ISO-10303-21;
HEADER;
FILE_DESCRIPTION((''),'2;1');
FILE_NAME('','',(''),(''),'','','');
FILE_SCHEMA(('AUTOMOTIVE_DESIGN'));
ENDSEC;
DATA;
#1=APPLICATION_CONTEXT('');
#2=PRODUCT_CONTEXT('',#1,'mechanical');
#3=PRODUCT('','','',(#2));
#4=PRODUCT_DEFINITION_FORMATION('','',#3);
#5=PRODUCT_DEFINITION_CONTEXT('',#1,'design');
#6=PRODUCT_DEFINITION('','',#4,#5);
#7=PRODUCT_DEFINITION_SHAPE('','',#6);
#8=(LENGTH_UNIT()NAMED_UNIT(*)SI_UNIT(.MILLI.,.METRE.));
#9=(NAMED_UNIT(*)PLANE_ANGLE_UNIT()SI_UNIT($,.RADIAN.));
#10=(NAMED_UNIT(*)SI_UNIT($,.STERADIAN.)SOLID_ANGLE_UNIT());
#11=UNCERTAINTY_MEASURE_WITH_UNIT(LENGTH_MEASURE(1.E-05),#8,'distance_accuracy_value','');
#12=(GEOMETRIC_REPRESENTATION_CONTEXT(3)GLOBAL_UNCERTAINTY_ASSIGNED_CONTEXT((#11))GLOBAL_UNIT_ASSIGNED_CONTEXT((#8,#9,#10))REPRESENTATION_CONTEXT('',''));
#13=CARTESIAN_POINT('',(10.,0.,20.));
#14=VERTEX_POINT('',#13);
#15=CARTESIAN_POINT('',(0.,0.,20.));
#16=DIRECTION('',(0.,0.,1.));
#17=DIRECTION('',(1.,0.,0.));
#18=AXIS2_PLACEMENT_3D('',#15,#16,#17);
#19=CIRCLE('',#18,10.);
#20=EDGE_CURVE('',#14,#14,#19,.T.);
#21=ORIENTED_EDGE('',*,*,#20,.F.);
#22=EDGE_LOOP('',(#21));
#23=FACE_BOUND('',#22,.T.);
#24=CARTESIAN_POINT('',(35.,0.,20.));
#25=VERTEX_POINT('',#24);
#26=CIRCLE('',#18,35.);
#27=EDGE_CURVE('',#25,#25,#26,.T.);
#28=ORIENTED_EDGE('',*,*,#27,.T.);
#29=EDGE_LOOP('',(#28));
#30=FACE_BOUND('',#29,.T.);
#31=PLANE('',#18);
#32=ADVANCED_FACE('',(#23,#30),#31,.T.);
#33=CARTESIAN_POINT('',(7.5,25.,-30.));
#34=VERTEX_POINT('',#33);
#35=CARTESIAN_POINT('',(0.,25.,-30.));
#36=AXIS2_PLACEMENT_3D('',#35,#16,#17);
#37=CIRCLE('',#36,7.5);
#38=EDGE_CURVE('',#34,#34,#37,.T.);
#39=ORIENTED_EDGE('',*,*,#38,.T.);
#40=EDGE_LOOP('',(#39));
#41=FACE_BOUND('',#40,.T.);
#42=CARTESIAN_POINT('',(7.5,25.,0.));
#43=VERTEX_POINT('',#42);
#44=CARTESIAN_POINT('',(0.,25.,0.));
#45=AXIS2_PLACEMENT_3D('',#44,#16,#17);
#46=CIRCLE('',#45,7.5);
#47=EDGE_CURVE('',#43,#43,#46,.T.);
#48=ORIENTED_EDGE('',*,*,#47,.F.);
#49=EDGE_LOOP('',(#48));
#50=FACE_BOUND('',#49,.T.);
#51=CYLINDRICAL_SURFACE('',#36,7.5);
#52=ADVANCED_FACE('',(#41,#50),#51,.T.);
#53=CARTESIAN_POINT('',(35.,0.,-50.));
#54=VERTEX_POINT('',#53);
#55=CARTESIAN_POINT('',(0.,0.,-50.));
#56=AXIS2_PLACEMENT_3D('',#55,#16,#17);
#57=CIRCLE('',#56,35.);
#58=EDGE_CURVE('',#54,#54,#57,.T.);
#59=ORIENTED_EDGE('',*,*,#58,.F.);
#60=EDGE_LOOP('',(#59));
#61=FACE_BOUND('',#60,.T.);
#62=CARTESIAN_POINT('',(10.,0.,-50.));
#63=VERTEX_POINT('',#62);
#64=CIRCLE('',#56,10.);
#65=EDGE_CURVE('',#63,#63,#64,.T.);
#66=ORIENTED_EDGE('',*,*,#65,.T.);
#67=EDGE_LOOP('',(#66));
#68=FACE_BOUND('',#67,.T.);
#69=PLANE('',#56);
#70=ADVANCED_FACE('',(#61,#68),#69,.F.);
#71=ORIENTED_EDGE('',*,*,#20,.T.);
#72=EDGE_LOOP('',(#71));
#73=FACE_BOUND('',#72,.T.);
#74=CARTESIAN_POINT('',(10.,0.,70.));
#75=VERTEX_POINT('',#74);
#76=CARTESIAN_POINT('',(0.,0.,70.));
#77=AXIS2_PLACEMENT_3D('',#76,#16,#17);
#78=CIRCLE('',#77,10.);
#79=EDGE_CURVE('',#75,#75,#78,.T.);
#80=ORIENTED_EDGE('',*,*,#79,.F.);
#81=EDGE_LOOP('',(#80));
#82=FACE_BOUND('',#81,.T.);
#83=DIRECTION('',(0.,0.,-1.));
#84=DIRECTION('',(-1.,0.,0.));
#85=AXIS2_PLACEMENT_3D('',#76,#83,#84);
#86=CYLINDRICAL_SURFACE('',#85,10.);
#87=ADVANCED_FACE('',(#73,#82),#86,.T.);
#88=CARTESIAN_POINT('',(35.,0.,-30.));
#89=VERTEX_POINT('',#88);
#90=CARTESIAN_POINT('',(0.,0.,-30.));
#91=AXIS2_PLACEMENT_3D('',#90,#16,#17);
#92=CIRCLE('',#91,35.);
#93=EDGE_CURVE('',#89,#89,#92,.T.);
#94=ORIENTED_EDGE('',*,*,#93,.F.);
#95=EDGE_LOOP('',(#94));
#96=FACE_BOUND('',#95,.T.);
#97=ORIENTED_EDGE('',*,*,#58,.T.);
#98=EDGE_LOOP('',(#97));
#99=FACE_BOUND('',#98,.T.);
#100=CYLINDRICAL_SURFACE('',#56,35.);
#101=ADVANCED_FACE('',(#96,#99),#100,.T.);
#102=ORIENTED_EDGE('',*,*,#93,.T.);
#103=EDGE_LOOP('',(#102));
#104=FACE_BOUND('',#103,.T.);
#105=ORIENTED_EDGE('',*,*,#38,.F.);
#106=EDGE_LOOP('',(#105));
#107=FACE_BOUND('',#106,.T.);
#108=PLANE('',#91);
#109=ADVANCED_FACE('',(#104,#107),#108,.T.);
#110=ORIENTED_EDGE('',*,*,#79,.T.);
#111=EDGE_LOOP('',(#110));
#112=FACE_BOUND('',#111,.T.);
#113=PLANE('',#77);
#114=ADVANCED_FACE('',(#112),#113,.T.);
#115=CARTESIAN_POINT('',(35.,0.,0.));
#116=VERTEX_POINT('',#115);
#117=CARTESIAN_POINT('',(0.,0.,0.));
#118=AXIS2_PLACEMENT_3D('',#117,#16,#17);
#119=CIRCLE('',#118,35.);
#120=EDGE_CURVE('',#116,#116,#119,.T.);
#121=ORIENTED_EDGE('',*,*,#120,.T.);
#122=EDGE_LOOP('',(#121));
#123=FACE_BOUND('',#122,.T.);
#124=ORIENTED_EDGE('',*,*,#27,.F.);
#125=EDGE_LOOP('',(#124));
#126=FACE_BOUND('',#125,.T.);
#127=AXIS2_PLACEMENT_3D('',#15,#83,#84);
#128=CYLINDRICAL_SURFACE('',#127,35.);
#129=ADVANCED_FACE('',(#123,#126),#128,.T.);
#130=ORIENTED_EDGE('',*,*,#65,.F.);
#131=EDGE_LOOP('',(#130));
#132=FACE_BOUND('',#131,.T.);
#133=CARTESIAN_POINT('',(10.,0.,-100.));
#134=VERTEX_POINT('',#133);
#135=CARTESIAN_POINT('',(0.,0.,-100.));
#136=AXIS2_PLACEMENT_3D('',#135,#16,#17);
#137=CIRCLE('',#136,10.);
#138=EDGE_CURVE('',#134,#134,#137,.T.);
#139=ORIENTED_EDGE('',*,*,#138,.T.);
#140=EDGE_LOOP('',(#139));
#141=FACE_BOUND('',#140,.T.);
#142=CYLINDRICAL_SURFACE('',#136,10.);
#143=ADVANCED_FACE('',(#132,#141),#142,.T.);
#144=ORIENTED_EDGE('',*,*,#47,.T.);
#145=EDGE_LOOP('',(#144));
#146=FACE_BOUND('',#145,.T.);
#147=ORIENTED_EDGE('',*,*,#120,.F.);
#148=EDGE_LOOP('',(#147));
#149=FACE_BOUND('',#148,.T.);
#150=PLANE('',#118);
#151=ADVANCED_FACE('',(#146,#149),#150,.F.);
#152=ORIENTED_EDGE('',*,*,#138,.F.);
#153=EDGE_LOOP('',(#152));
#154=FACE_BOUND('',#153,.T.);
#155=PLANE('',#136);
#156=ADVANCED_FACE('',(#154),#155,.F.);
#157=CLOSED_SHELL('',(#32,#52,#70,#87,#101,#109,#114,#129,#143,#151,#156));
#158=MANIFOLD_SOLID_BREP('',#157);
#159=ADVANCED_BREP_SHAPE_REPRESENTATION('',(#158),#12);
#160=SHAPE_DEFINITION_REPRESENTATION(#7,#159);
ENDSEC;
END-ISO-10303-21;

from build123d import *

# Parameters (mm, degrees)
SKETCH1_R           = 7.5
BOSS_EXTRUDE1_DEPTH = 30
SKETCH1_4_R         = 35
SKETCH1_4_R_2       = 10
BOSS_EXTRUDE2_DEPTH = 20
BOSS_EXTRUDE3_START = -50
SKETCH1_5_R         = 35
SKETCH1_5_R_2       = 10
BOSS_EXTRUDE3_DEPTH = 20
SKETCH1_6_R         = 10
BOSS_EXTRUDE4_DEPTH = 70
BOSS_EXTRUDE5_START = -100
SKETCH1_7_R         = 10
BOSS_EXTRUDE5_DEPTH = 70


with BuildPart() as part:
    # Sketch1 → Boss-Extrude1 (new body)
    with BuildSketch(Plane.XY):
        with Locations((0, 25)):
            Circle(SKETCH1_R)
    extrude(amount=-BOSS_EXTRUDE1_DEPTH)

    # Sketch1<4> → Boss-Extrude2 (add)
    with BuildSketch(Plane.XY):
        Circle(SKETCH1_4_R)
        Circle(SKETCH1_4_R_2, mode=Mode.SUBTRACT)
    extrude(amount=BOSS_EXTRUDE2_DEPTH)

    # Sketch1<5> → Boss-Extrude3 (add)
    with BuildSketch(Plane.XY.offset(BOSS_EXTRUDE3_START)):
        Circle(SKETCH1_5_R)
        Circle(SKETCH1_5_R_2, mode=Mode.SUBTRACT)
    extrude(amount=BOSS_EXTRUDE3_DEPTH)

    # Sketch1<6> → Boss-Extrude4 (add)
    with BuildSketch(Plane.XY):
        Circle(SKETCH1_6_R)
    extrude(amount=BOSS_EXTRUDE4_DEPTH)

    # Sketch1<7> → Boss-Extrude5 (add)
    with BuildSketch(Plane.XY.offset(BOSS_EXTRUDE5_START)):
        Circle(SKETCH1_7_R)
    extrude(amount=BOSS_EXTRUDE5_DEPTH)


solid = part.part
